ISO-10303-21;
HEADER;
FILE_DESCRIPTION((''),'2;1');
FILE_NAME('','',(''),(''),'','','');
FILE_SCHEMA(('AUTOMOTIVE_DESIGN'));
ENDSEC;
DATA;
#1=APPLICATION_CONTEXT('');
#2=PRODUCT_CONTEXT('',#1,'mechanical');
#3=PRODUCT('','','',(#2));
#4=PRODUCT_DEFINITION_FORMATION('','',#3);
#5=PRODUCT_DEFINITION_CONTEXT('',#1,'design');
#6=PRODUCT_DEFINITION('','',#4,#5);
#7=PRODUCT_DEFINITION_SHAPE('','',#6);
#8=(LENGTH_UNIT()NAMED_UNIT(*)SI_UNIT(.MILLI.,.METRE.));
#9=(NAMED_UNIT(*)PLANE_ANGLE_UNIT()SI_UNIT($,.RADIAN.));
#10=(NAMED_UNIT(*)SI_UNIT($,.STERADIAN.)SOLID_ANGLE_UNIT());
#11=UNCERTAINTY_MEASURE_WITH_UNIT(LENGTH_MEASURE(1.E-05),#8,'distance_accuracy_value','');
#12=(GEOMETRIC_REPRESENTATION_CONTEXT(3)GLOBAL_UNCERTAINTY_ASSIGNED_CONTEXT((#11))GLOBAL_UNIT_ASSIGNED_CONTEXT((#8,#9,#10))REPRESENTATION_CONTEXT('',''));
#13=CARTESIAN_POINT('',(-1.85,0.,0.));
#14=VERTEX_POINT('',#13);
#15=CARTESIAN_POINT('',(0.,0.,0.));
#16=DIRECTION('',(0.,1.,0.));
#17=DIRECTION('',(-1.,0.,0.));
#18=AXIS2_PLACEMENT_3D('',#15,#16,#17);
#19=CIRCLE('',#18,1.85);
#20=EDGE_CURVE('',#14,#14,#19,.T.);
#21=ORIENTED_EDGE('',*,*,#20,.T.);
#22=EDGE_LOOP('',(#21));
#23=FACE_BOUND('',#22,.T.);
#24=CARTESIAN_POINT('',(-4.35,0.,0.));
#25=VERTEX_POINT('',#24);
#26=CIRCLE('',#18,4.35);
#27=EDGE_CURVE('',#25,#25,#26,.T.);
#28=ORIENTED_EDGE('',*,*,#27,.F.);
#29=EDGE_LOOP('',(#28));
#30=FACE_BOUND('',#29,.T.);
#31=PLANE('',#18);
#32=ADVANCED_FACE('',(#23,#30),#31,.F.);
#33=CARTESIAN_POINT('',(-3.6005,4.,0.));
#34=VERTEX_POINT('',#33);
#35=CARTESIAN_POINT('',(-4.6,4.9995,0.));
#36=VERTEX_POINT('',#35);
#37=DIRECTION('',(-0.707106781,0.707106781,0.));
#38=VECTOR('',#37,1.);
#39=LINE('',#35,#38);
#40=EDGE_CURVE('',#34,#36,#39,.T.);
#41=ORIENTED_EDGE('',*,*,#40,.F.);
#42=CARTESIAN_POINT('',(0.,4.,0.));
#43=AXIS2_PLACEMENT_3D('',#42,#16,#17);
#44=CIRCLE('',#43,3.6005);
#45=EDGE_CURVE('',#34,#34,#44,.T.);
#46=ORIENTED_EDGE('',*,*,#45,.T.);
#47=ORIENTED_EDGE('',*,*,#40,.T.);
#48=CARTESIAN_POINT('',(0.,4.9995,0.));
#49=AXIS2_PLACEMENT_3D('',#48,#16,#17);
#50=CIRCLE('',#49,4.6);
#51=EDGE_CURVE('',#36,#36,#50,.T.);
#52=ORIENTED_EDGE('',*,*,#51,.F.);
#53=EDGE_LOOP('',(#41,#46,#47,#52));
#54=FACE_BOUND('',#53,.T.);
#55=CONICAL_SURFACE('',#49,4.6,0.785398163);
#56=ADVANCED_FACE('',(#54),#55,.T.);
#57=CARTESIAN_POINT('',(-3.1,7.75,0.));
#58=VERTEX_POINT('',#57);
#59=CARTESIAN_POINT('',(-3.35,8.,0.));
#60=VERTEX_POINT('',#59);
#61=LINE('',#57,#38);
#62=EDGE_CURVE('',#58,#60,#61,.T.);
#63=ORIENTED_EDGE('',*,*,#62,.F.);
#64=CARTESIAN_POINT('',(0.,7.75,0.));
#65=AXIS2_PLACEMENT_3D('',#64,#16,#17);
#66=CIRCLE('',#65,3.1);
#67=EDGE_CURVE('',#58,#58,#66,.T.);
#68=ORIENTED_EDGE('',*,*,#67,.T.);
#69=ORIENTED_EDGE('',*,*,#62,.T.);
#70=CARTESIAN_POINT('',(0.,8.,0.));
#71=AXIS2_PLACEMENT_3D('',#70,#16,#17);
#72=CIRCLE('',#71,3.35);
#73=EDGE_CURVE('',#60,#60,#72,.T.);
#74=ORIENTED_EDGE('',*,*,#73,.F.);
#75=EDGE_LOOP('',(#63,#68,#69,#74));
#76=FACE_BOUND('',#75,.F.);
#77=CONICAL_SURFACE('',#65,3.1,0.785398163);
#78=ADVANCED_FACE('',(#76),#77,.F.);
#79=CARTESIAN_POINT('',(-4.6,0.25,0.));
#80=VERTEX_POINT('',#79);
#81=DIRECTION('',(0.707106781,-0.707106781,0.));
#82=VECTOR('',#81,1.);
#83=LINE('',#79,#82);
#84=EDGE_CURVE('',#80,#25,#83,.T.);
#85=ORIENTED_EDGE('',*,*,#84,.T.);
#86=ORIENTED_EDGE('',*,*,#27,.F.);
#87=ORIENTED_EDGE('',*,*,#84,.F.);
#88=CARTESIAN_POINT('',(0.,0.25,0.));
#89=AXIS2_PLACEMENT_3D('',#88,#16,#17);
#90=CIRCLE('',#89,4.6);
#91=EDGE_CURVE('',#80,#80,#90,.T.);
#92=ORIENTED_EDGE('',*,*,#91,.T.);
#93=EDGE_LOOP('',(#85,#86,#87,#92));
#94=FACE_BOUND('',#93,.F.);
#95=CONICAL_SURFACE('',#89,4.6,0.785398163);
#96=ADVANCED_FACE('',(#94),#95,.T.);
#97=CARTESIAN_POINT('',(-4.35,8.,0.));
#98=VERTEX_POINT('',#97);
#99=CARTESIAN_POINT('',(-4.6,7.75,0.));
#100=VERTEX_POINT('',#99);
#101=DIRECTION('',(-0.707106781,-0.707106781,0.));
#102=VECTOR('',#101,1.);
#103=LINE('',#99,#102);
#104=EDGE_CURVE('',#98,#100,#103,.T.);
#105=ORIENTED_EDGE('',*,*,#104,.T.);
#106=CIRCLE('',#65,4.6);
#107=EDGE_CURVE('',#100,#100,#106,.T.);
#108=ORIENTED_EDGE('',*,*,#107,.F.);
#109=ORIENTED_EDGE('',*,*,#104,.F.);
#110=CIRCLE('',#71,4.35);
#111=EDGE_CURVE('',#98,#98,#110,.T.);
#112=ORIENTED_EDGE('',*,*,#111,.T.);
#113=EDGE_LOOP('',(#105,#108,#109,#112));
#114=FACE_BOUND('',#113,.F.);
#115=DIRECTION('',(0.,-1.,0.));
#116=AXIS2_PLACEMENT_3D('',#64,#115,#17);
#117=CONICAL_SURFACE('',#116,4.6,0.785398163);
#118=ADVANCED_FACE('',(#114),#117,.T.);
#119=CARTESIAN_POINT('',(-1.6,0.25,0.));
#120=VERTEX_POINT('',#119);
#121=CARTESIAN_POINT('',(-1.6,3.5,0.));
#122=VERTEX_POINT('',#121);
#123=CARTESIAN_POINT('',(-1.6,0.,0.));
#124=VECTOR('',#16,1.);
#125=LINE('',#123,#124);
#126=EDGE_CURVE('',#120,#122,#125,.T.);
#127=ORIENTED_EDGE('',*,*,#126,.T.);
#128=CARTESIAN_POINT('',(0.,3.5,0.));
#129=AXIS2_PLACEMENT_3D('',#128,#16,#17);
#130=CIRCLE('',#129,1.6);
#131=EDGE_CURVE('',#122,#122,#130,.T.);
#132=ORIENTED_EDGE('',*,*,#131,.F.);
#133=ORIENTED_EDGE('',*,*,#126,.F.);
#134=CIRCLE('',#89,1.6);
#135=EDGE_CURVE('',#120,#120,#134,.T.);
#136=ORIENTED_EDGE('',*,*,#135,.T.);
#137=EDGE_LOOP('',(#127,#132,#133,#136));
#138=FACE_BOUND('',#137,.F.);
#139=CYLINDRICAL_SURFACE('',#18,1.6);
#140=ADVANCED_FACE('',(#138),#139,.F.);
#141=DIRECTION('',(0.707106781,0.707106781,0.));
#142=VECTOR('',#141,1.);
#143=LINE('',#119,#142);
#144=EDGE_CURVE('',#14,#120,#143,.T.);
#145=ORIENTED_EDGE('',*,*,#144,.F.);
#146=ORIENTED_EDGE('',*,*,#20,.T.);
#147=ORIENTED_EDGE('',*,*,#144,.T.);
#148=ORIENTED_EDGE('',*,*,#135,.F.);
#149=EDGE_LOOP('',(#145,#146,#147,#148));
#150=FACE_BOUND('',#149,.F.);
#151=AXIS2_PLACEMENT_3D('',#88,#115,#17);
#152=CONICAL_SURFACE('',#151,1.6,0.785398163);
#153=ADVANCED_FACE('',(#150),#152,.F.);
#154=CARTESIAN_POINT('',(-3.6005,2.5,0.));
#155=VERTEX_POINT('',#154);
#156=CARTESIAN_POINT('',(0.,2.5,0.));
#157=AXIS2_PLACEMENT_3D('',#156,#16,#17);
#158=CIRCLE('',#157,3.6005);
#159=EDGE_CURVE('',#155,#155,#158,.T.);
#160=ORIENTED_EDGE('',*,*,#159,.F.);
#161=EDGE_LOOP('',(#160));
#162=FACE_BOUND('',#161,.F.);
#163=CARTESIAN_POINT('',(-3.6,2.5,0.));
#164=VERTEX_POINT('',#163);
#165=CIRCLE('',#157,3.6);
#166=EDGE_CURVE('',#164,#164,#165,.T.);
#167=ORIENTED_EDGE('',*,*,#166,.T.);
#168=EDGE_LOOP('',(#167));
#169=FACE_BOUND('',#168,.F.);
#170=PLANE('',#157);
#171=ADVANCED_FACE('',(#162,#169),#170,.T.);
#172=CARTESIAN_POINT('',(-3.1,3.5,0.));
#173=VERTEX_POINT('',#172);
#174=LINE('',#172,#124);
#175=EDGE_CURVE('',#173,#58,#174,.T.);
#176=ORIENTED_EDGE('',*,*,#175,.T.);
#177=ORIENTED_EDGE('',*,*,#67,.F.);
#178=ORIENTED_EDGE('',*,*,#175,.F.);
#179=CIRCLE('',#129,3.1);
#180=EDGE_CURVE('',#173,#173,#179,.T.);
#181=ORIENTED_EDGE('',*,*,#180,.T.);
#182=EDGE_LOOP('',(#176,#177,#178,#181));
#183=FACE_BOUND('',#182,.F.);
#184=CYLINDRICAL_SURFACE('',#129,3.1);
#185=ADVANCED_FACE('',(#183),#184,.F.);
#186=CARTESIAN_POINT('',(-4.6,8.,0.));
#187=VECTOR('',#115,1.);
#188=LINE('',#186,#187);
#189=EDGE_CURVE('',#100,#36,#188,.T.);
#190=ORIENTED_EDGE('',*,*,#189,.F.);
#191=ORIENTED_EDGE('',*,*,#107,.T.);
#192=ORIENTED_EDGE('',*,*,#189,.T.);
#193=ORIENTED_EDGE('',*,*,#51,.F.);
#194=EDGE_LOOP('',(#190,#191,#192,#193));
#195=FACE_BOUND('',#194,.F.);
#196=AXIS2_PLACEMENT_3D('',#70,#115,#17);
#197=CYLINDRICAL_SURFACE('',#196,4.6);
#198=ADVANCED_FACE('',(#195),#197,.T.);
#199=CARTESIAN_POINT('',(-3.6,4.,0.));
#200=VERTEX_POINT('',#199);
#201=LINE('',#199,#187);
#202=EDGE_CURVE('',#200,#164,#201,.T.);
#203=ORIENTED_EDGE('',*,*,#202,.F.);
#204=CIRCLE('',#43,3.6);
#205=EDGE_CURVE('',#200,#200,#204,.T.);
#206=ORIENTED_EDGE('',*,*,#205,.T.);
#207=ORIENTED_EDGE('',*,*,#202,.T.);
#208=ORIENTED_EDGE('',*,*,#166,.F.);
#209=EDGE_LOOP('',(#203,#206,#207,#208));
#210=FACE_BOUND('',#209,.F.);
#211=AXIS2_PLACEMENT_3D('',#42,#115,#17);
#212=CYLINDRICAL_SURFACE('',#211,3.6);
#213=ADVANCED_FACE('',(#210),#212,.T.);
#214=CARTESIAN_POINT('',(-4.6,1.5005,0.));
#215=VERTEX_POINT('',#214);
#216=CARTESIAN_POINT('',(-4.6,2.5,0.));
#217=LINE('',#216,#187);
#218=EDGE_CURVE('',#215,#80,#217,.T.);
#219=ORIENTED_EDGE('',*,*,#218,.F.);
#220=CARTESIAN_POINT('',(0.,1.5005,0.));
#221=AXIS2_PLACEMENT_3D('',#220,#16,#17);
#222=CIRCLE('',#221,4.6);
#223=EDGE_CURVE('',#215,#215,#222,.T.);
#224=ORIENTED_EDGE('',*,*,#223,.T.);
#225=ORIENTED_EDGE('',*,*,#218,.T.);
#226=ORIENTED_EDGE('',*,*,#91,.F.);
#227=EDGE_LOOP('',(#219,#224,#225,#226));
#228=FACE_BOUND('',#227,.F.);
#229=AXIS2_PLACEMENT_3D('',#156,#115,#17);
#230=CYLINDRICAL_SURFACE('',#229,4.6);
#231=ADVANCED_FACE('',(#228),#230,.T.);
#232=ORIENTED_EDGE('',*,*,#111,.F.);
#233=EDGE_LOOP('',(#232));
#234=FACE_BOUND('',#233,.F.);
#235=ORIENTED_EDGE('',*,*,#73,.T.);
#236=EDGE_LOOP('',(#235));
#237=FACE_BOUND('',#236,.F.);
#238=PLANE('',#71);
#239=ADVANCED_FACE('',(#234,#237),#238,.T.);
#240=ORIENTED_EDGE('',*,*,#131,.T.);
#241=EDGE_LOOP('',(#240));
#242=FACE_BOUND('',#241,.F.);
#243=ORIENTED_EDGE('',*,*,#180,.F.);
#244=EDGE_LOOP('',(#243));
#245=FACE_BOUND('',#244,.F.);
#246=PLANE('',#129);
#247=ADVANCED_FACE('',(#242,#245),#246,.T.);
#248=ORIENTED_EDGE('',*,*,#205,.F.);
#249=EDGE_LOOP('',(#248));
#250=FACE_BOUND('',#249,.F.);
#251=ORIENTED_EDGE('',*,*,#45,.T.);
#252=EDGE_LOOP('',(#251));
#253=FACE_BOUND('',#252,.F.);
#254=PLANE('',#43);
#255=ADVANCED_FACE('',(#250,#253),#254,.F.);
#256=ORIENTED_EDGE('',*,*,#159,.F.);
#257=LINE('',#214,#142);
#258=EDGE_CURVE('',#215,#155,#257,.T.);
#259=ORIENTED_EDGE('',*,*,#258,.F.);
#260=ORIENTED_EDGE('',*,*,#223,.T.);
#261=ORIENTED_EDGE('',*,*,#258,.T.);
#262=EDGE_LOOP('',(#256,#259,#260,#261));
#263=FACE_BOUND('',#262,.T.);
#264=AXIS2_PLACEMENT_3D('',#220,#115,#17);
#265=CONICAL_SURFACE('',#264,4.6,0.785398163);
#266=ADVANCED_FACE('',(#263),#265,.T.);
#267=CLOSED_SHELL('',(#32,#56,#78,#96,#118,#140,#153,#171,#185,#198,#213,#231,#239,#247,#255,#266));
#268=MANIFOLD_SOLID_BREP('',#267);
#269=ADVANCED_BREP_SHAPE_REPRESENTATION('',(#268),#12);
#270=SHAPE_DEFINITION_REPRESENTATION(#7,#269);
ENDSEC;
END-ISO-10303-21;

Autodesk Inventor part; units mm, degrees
ref_plane "YZ Plane" through (0, 0, 0) normal (1, 0, 0) x (0, 1, 0)
ref_plane "XZ Plane" through (0, 0, 0) normal (0, 1, 0) x (-1, 0, 0)
ref_plane "XY Plane" through (0, 0, 0) normal (0, 0, 1) x (1, 0, 0)
sketch "Sketch1" plane through (0, 0, 0) normal (0, 0, 1) x (1, 0, 0)
  line L0 (0, 0) -> (-1.6, 0) construction
  line L1 (0, 0) -> (0, 8)
  line L2 (-1.6, 0) -> (-4.6, 0)
  line L3 (-1.6, 0) -> (-1.6, 3.5)
  line L4 (-1.6, 3.5) -> (-3.1, 3.5)
  line L5 (-3.1, 3.5) -> (-3.1, 8)
  line L6 (-3.1, 8) -> (-4.6, 8)
  line L7 (-4.6, 8) -> (-4.6, 4)
  line L8 (-4.6, 4) -> (-3.6, 4)
  line L9 (-3.6, 4) -> (-3.6, 2.5)
  line L10 (-3.6, 2.5) -> (-4.6, 2.5)
  line L11 (-4.6, 2.5) -> (-4.6, 0)
  dimension "d0" = 1.6
  dimension "d1" = 8
  dimension "d2" = 3
  dimension "d3" = 3.5
  dimension "d4" = 1.5
  dimension "d5" = 4
  dimension "d6" = 1
  dimension "d7" = 1.5
revolve "Revolution1" add sketch "Sketch1" angle 360 about axis through (0, 0, 0) along (0, 1, 0)
chamfer "Chamfer1" distance 1 angle 45 2 edges at (4.6, 2.5, 0) (4.6, 4, 0)
chamfer "Chamfer2" distance 0.25 angle 45 4 edges at (4.6, 8, 0) (3.1, 8, 0) (4.6, 0, 0) (1.6, 0, 0)
properties part number "Z25_Side_Lock_Button" material "Aluminum 6061"
